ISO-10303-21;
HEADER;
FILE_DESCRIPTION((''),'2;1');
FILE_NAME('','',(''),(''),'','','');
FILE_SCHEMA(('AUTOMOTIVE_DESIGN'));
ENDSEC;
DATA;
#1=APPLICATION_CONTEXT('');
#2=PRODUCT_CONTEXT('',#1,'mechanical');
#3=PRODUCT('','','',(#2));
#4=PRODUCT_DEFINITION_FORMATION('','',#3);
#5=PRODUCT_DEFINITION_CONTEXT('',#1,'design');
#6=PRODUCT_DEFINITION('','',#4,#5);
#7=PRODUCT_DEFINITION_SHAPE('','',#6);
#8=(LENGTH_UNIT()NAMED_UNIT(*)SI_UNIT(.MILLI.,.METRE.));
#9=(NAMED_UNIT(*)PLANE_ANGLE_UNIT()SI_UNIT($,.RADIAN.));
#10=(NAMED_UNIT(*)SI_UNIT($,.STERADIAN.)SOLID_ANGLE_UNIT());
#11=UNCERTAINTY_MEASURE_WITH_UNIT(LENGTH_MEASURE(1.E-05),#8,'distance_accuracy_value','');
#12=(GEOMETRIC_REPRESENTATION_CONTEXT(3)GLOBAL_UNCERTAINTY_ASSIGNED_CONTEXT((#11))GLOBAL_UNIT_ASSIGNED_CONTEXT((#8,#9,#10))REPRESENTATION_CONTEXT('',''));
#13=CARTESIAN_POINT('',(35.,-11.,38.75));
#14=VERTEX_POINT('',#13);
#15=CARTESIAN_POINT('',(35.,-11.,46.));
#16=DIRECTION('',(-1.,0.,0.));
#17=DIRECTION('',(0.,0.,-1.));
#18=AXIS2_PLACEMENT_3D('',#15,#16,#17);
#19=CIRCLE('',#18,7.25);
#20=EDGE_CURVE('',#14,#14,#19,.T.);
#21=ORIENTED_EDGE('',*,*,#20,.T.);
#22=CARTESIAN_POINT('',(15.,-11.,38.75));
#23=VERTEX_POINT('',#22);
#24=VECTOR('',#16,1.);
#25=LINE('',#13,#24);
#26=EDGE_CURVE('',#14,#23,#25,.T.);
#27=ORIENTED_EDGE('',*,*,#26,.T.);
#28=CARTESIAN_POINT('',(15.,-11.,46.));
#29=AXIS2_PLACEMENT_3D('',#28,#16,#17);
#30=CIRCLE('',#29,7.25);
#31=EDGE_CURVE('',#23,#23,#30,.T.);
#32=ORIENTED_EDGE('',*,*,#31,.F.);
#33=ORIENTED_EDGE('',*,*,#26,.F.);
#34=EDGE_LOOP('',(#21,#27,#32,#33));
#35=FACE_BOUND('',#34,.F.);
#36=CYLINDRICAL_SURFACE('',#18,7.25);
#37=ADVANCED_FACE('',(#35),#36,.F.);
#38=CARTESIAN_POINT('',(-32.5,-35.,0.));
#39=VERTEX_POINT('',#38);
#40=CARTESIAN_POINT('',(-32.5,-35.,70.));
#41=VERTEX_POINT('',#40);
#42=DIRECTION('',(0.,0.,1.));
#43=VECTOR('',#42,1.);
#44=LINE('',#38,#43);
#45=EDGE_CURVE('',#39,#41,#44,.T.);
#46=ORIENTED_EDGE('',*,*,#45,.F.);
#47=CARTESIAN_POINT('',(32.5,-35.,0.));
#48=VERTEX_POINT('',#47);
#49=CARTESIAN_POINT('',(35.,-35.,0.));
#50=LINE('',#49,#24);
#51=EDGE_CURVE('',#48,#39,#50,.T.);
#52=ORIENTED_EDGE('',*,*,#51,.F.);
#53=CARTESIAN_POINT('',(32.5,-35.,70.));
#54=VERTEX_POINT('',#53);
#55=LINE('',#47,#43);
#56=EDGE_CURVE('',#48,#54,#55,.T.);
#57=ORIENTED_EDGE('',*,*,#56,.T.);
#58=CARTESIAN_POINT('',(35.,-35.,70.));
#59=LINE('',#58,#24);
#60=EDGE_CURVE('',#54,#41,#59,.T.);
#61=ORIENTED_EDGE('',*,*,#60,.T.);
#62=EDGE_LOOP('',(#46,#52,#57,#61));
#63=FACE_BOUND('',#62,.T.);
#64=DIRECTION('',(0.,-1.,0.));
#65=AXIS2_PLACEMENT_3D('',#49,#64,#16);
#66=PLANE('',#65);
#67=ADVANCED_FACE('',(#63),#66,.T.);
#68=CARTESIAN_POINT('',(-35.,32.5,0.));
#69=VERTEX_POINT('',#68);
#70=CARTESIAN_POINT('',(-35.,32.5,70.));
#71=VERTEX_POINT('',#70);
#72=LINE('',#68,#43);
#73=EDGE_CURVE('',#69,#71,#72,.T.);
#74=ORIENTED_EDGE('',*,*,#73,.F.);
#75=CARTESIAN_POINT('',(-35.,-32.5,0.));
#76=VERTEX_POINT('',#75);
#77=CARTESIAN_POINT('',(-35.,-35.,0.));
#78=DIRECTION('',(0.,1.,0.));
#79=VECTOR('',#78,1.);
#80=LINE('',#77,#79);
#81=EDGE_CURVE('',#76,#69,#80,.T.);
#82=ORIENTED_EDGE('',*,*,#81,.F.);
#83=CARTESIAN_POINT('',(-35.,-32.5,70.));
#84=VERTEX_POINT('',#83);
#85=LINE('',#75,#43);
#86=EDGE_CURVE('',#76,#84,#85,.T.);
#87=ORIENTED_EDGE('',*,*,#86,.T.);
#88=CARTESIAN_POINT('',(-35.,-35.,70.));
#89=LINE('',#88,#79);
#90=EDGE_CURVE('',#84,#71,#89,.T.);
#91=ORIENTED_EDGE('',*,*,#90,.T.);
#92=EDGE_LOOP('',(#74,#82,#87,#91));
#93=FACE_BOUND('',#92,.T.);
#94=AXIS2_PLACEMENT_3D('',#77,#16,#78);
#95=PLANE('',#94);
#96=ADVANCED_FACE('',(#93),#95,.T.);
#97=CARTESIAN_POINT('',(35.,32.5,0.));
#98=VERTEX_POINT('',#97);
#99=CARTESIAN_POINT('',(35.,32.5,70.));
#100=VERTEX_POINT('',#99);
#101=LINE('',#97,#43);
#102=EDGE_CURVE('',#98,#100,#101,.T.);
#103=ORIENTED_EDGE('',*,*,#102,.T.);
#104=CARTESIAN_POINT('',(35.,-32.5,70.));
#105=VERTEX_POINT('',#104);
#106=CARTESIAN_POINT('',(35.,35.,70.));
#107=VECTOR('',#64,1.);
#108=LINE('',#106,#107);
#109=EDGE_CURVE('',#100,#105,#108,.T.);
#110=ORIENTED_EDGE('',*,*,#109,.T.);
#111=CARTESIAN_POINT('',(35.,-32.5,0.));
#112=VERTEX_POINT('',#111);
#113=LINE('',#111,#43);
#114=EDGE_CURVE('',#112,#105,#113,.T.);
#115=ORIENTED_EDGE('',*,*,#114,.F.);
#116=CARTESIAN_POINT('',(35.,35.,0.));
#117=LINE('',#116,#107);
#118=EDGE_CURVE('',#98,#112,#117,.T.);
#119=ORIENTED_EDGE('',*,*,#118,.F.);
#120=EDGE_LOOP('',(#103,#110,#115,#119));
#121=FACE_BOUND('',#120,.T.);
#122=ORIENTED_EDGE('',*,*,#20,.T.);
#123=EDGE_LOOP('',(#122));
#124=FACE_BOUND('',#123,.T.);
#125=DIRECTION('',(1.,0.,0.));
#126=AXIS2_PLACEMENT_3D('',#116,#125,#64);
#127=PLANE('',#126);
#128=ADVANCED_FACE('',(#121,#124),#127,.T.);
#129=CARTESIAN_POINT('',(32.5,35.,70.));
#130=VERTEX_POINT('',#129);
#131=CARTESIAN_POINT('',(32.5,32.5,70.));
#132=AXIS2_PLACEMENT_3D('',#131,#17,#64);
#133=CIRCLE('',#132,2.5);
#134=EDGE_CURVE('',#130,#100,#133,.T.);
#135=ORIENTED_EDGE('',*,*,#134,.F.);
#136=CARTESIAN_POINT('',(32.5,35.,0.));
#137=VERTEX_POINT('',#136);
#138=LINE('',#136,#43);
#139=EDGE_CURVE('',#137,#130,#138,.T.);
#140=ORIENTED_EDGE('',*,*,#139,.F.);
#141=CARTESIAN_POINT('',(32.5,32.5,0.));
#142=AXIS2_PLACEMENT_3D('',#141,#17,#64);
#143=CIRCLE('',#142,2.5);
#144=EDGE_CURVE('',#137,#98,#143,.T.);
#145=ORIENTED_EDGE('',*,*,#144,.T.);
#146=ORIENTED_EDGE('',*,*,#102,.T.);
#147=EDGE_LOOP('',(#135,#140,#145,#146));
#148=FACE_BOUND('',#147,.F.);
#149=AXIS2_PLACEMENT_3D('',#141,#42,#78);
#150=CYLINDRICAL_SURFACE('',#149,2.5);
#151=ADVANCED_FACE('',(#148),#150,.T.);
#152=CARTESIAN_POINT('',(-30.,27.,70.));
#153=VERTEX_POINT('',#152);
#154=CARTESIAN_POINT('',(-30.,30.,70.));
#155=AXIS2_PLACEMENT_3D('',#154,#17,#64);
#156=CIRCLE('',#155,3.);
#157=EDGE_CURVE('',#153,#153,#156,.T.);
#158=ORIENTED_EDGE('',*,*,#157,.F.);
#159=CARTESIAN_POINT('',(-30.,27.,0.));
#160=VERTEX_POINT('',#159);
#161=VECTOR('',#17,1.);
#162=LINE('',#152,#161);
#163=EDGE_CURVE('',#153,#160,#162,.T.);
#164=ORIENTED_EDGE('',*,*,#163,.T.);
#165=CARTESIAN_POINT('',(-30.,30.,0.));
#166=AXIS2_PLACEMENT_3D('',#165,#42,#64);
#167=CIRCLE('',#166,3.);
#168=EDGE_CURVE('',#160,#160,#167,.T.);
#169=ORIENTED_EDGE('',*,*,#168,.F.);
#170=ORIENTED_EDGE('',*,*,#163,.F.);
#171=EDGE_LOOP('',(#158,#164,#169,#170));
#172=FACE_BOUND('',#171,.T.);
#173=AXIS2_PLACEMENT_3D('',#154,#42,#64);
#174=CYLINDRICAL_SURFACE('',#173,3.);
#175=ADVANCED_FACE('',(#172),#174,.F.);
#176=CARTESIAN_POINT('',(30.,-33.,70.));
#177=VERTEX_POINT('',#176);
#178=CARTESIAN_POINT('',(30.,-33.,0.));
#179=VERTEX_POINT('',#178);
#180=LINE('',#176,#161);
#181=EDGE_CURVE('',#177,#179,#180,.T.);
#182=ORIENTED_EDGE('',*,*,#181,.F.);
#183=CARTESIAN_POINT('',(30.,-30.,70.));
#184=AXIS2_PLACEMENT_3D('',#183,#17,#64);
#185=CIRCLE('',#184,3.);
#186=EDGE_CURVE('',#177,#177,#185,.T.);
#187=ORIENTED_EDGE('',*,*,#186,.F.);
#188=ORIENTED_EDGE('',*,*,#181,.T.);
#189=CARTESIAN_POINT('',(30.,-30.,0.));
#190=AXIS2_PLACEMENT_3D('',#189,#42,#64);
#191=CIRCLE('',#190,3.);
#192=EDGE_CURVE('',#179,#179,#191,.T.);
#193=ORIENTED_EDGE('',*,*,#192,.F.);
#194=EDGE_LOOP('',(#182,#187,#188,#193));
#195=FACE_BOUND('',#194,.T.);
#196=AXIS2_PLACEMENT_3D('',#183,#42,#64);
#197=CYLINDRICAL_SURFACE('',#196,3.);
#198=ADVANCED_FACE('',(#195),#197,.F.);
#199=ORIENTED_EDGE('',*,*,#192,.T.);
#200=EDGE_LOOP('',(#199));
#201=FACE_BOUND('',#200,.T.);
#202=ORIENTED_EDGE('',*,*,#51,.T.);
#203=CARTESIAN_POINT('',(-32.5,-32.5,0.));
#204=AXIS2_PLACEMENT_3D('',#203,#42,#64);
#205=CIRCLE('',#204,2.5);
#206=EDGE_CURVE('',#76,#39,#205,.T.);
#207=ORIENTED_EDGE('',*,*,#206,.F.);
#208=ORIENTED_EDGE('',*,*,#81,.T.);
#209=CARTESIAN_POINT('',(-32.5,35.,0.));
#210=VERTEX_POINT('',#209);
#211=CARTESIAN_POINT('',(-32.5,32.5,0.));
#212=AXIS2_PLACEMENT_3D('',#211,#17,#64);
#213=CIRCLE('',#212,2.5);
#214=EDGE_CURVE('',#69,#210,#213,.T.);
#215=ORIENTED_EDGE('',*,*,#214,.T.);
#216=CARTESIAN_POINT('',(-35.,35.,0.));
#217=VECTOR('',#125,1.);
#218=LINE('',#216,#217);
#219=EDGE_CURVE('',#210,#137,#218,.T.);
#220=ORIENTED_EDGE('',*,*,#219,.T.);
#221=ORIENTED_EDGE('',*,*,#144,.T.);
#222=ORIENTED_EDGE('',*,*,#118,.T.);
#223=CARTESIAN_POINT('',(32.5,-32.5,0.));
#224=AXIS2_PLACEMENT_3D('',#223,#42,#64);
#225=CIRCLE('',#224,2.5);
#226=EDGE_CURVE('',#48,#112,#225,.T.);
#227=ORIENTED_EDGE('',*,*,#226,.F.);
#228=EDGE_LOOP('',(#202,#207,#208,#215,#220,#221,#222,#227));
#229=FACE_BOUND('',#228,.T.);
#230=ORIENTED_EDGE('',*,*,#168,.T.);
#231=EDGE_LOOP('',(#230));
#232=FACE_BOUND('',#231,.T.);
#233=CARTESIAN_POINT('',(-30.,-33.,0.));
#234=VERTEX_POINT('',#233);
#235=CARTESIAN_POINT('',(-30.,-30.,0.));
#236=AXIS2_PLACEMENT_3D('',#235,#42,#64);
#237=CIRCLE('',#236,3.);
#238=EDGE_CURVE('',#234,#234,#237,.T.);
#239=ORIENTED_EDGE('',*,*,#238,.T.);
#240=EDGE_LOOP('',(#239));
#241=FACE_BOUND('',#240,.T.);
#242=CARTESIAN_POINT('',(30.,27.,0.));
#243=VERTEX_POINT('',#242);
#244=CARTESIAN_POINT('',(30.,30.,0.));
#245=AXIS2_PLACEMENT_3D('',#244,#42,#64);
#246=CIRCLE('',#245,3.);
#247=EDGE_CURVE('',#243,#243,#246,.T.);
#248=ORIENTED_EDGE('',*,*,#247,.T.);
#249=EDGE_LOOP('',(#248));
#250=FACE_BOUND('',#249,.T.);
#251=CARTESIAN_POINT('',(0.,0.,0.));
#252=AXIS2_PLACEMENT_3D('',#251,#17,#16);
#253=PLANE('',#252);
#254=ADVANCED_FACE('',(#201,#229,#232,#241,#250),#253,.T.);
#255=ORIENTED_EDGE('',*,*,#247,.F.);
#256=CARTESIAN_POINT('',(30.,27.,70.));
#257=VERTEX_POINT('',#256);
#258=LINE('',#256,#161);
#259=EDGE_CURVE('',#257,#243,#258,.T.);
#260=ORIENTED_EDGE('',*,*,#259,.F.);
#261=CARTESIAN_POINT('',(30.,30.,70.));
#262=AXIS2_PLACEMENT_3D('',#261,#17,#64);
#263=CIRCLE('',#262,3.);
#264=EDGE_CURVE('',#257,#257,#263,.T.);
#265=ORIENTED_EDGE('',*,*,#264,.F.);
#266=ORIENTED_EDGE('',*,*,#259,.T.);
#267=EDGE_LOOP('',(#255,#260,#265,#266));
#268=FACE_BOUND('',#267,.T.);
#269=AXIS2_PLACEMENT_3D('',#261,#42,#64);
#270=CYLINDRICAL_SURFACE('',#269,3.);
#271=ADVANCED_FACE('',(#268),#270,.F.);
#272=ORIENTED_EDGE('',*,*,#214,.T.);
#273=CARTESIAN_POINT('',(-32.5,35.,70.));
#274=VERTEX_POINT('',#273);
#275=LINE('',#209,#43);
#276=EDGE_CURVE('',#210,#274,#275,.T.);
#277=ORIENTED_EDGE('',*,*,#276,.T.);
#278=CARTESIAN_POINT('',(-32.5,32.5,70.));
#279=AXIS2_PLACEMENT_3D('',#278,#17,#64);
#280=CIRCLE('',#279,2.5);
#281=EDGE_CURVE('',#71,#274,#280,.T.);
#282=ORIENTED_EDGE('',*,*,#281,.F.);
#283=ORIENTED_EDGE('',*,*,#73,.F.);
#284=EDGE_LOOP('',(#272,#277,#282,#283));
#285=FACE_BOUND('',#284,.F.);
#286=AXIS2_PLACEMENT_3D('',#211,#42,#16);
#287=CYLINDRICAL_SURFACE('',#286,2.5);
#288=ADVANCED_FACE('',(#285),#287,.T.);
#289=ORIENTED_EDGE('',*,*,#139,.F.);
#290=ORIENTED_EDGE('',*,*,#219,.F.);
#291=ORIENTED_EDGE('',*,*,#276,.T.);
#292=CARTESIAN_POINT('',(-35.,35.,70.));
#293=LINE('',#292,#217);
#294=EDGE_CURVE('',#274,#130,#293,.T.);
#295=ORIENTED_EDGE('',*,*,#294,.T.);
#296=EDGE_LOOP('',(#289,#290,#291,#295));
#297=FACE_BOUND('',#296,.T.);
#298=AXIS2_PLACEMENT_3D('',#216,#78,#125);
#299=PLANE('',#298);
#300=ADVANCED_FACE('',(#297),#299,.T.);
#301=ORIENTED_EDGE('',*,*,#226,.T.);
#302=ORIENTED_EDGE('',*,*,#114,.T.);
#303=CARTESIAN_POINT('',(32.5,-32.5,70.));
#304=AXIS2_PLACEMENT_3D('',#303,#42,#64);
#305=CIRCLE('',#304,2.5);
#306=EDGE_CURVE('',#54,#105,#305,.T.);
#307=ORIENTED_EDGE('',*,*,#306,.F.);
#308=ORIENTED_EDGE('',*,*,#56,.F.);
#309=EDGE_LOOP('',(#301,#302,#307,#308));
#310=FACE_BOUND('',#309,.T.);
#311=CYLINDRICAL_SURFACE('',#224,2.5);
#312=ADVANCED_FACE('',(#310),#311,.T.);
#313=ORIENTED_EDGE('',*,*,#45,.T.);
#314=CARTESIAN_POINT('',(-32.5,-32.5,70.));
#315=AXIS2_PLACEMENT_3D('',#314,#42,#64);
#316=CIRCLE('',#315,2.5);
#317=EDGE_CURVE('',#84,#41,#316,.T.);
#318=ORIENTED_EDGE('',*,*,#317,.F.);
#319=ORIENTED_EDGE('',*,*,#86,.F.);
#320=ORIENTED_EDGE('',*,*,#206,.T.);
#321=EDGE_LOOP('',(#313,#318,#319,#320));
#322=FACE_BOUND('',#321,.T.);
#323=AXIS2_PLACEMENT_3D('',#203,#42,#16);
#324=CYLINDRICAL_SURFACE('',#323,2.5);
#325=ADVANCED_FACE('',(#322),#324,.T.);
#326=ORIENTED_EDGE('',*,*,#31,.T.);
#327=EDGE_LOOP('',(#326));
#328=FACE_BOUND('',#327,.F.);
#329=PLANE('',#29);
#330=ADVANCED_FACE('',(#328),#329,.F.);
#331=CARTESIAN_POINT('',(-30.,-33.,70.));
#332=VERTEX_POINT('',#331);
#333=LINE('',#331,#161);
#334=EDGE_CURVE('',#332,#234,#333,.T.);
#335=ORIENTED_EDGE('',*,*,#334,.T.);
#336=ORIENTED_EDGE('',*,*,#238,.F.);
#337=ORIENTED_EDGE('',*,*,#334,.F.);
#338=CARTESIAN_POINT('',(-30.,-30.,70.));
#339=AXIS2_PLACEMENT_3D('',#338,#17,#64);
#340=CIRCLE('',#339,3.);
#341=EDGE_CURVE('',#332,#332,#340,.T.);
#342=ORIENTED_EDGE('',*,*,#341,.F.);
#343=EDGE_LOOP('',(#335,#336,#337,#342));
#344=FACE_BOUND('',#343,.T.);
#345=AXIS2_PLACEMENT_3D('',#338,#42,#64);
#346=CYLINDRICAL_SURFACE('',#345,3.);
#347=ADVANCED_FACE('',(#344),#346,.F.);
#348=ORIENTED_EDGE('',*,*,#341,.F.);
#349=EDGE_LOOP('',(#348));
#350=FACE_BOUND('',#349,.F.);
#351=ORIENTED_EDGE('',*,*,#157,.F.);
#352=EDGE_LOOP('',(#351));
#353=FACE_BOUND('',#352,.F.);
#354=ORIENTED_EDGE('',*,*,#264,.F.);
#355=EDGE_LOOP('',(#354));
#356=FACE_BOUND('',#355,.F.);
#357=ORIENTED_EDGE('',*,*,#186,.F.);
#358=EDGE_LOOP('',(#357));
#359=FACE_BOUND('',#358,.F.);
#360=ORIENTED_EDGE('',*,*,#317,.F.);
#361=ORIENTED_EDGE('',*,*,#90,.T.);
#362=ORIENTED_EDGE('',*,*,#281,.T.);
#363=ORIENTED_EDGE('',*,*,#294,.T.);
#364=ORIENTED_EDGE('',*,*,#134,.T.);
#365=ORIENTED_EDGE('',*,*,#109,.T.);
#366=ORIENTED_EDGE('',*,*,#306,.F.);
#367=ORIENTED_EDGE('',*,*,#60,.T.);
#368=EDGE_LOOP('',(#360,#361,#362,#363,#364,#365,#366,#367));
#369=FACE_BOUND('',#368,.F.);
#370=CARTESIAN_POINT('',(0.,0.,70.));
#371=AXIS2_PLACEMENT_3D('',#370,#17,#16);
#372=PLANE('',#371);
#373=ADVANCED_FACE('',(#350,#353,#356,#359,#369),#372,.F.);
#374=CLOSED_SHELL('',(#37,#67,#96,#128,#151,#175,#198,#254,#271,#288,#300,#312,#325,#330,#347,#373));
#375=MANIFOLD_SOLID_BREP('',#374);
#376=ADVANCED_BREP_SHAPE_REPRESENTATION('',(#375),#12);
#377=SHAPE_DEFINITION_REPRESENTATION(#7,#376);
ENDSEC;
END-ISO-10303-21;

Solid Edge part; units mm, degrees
sketch "Sketch1" plane through (0, 0, 0) normal (0, 0, 1) x (1, 0, 0)
  line L0 (-35, -35) -> (-35, 35)
  line L1 (-35, 35) -> (35, 35)
  line L2 (35, 35) -> (35, -35)
  line L3 (35, -35) -> (-35, -35)
extrude "Protrusion1" add sketch "Sketch1" along normal blind 70
hole "Hole_1" at (-30, -30, 70) direction (0, 0, -1) diameter 6 end through all
hole "Hole_2" at (-30, 30, 70) direction (0, 0, -1) diameter 6 end through all
hole "Hole_3" at (30, 30, 70) direction (0, 0, -1) diameter 6 end through all
hole "Hole_4" at (30, -30, 70) direction (0, 0, -1) diameter 6 end through all
hole "Hole_5" at (35, -11, 46) direction (-1, 0, 0) diameter 14.5 depth 20 thread major 16 thread length 20
fillet "Round1" radius 2.5 4 edges at (35, -35, 35) (35, 35, 35) (-35, 35, 35) (-35, -35, 35)
properties part number "4.4601.1" material "Phenolic"
